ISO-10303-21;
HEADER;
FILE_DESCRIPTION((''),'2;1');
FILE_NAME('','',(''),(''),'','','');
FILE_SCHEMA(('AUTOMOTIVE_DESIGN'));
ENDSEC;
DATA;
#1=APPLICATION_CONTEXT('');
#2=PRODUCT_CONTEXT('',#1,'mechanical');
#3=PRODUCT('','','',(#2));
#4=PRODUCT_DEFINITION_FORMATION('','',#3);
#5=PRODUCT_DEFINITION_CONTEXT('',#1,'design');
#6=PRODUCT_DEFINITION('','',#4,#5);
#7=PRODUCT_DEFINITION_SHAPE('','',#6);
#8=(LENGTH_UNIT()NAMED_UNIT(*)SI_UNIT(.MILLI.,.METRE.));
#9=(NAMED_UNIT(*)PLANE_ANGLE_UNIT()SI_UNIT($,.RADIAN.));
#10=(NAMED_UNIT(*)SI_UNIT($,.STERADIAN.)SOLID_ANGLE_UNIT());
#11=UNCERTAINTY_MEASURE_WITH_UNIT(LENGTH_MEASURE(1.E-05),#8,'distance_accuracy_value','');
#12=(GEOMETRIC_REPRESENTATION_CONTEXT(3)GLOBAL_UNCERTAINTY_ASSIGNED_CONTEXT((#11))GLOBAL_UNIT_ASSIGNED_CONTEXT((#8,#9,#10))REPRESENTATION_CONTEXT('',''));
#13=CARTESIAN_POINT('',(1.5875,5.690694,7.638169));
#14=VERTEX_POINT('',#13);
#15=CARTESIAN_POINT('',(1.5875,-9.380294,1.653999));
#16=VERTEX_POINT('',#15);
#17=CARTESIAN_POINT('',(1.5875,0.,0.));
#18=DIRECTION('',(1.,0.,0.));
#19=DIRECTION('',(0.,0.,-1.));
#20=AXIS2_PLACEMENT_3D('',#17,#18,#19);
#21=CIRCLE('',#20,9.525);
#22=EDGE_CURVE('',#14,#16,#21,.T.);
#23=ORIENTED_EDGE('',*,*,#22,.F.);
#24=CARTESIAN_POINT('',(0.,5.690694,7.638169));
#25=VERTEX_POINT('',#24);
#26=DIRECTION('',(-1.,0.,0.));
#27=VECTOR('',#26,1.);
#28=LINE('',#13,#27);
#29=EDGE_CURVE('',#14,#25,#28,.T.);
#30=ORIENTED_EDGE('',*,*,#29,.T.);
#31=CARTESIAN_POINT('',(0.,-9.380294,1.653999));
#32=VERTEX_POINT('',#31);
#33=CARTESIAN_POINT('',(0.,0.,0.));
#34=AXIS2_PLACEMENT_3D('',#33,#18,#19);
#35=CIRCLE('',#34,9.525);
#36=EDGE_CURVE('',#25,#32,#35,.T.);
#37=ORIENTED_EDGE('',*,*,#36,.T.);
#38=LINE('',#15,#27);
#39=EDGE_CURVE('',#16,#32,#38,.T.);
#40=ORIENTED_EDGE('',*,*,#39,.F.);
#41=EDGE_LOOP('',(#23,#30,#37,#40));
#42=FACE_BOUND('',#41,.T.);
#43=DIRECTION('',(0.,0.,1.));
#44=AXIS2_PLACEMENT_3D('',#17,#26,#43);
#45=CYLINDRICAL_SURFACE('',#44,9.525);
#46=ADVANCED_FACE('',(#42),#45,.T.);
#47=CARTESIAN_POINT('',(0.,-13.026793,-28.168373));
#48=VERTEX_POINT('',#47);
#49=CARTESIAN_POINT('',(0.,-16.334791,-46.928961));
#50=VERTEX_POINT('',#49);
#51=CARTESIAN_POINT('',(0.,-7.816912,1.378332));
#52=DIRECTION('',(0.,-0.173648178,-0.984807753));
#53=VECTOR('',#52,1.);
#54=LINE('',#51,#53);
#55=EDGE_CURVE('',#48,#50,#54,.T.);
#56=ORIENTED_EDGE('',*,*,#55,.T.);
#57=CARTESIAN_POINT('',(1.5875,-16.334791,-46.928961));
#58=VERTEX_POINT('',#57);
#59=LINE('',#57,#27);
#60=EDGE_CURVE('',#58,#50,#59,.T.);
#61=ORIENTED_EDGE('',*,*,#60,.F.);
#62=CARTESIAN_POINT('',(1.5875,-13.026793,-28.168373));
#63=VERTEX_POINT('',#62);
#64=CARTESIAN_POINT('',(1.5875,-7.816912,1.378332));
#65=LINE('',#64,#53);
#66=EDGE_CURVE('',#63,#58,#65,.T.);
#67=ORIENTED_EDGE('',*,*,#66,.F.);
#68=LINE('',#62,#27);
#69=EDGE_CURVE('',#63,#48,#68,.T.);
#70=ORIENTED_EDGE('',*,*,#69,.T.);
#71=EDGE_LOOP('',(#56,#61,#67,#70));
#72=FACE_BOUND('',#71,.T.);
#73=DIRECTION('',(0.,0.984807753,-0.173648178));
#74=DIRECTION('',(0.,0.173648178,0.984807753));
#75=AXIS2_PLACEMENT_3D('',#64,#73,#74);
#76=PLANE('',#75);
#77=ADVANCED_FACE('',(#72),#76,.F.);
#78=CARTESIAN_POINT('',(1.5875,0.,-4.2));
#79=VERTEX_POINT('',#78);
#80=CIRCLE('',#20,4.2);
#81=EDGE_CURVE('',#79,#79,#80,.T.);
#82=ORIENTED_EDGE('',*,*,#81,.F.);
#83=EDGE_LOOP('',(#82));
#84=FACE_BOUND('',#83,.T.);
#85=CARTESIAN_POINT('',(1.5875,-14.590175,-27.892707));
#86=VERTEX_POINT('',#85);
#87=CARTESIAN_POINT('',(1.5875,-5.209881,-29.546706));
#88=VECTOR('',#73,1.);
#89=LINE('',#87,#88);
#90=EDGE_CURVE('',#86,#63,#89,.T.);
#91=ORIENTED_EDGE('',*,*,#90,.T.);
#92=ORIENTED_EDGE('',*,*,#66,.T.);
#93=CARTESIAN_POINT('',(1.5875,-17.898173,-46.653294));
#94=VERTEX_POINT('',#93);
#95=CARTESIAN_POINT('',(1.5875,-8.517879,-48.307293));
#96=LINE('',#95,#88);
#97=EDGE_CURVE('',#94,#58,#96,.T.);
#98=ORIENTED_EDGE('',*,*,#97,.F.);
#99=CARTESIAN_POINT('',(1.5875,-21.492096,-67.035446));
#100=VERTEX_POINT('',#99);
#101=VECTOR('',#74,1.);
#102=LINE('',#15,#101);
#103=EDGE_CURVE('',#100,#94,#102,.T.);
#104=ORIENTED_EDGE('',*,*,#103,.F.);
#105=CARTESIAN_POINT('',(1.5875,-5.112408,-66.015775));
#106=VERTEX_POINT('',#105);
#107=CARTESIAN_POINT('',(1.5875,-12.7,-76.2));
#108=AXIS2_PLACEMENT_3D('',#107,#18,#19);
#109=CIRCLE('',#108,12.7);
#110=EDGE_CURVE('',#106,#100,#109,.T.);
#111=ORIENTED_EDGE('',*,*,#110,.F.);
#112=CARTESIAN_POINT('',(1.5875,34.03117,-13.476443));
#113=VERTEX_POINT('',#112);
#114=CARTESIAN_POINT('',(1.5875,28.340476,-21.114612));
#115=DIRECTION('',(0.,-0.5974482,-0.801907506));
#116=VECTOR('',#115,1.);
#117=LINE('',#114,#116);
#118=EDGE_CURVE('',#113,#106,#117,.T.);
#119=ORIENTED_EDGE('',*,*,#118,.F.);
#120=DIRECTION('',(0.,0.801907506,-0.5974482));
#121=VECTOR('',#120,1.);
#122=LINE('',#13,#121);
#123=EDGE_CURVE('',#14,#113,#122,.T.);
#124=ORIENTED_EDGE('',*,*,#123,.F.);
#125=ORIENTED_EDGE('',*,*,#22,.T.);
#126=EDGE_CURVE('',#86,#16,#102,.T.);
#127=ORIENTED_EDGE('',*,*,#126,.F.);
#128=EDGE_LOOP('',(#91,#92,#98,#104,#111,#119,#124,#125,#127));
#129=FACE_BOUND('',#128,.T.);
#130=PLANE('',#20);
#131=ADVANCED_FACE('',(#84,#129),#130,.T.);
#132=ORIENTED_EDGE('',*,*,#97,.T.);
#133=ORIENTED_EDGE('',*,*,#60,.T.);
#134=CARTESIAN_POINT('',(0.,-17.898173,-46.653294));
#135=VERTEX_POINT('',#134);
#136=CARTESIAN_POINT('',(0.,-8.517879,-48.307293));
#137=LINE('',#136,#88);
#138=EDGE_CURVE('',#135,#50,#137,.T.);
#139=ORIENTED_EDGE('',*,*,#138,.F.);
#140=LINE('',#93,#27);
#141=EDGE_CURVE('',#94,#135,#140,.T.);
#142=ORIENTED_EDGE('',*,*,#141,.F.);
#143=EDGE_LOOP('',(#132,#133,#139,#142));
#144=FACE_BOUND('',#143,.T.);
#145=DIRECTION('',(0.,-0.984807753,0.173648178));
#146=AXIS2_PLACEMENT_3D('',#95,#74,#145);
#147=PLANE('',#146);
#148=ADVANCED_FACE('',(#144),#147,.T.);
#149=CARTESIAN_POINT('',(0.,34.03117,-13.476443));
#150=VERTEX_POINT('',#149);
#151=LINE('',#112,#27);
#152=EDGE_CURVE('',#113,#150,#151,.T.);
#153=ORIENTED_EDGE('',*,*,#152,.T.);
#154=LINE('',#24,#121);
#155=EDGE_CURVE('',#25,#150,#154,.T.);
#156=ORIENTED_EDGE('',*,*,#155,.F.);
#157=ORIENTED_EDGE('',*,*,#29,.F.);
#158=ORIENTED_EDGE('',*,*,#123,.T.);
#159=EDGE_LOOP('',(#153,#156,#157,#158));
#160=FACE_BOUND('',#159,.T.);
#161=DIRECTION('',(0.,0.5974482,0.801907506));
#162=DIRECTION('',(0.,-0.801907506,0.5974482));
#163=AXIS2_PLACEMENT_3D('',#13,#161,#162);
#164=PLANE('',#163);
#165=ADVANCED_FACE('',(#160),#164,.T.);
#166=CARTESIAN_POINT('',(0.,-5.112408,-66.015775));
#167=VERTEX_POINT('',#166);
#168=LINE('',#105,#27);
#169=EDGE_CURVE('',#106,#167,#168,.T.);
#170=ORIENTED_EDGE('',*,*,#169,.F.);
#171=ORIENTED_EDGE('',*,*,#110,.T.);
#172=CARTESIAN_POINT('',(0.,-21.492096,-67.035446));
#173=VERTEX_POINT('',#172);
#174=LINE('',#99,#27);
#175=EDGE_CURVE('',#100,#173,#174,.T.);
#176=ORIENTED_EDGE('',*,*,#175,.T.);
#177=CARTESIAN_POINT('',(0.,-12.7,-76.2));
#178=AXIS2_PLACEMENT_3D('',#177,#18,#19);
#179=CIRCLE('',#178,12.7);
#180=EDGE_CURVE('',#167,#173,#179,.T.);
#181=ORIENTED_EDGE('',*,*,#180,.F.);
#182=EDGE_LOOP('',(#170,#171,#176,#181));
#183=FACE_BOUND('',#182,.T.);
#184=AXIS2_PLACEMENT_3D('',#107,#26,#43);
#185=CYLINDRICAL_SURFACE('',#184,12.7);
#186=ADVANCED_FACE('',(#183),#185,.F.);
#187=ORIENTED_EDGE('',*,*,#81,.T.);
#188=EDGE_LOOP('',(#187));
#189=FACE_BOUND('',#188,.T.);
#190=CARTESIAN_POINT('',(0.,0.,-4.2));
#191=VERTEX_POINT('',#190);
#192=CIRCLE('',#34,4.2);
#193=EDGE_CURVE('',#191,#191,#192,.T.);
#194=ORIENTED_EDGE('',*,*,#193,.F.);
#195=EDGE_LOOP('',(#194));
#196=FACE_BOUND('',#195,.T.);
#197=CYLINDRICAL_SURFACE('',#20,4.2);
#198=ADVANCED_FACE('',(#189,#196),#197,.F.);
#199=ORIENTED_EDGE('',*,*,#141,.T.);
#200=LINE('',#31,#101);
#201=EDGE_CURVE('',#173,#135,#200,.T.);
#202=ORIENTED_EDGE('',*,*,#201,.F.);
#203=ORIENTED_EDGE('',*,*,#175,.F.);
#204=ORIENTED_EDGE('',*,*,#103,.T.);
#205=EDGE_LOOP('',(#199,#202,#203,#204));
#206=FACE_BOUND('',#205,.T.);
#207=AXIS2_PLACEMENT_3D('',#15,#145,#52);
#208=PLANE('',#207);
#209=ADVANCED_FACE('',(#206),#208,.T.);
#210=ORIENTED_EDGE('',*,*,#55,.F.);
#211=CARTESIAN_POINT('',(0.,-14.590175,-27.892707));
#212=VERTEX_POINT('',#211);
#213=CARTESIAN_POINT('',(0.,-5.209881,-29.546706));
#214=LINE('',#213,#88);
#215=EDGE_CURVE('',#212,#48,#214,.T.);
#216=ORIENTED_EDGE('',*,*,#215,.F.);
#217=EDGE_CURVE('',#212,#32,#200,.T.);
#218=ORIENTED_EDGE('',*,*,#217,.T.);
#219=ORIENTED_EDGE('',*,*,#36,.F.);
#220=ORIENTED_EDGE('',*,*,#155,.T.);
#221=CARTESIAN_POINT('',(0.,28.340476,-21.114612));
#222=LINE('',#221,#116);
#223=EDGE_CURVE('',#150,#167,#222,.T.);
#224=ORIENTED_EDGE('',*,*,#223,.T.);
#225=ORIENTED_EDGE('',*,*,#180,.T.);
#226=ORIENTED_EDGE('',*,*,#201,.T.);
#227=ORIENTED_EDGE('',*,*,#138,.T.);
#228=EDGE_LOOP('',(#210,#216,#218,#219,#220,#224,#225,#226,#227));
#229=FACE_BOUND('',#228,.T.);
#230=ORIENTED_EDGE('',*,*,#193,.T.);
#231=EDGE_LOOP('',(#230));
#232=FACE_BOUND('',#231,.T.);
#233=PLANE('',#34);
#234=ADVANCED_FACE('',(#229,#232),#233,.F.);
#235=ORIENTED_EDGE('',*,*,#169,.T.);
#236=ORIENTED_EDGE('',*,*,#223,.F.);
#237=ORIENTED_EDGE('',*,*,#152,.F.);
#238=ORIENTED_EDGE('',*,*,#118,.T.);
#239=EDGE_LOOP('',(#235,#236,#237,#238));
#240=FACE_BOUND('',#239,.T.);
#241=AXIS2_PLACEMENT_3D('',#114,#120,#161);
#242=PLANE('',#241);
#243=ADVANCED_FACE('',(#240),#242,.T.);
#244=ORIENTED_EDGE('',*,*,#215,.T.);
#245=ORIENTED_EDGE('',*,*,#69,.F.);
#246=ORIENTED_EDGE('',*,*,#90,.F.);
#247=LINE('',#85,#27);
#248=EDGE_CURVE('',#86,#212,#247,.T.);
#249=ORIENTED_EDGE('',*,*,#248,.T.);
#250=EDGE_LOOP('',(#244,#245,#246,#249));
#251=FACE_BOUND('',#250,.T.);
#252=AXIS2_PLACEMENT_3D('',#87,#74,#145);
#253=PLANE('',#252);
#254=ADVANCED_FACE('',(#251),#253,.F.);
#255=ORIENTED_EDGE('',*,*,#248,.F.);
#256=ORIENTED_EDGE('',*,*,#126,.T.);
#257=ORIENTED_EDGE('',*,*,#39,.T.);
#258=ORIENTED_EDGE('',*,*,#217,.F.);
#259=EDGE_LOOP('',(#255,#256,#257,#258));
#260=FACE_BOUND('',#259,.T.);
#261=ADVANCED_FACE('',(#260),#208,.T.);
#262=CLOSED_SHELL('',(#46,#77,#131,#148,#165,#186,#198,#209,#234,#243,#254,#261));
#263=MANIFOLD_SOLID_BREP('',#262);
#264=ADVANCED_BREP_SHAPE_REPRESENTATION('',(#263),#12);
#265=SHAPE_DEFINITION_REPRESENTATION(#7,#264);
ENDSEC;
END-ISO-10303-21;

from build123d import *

# Parameters (mm, degrees)
BOSS_EXTRUDE1_DEPTH  = 1.5875
M8_CLEARANCE_HOLE1_D = 8.4


with BuildPart() as part:
    # Sketch1 → Boss-Extrude1 (new body)
    with BuildSketch(Plane(origin=(0, 0, 0), x_dir=(0, 0, -1), z_dir=(1, 0, 0))):
        with BuildLine():
            ThreePointArc((-7.638168997, 5.690694103), (-8.852669963, -3.515090259), (-1.653998892, -9.380293847))
            Line((-1.653998892, -9.380293847), (27.892706706, -14.590175236))
            Line((27.892706706, -14.590175236), (28.168373188, -13.026792928))
            Line((28.168373188, -13.026792928), (46.928960883, -16.334790712))
            Line((46.928960883, -16.334790712), (46.653294401, -17.89817302))
            Line((46.653294401, -17.89817302), (67.035446451, -21.492096351))
            ThreePointArc((67.035446451, -21.492096351), (63.524537099, -13.489075558), (66.01577467, -5.112407863))
            Line((66.01577467, -5.112407863), (13.47644349, 34.0311699))
            Line((13.47644349, 34.0311699), (-7.638168997, 5.690694103))
        make_face()
    extrude(amount=BOSS_EXTRUDE1_DEPTH)

    # M8 Clearance Hole1 (through all)
    with Locations(Plane(origin=(1.5875, 0, 0), x_dir=(0, 0, -1), z_dir=(1, 0, 0))):
        with Locations((0, 0)):
            Hole(M8_CLEARANCE_HOLE1_D / 2)


solid = part.part
